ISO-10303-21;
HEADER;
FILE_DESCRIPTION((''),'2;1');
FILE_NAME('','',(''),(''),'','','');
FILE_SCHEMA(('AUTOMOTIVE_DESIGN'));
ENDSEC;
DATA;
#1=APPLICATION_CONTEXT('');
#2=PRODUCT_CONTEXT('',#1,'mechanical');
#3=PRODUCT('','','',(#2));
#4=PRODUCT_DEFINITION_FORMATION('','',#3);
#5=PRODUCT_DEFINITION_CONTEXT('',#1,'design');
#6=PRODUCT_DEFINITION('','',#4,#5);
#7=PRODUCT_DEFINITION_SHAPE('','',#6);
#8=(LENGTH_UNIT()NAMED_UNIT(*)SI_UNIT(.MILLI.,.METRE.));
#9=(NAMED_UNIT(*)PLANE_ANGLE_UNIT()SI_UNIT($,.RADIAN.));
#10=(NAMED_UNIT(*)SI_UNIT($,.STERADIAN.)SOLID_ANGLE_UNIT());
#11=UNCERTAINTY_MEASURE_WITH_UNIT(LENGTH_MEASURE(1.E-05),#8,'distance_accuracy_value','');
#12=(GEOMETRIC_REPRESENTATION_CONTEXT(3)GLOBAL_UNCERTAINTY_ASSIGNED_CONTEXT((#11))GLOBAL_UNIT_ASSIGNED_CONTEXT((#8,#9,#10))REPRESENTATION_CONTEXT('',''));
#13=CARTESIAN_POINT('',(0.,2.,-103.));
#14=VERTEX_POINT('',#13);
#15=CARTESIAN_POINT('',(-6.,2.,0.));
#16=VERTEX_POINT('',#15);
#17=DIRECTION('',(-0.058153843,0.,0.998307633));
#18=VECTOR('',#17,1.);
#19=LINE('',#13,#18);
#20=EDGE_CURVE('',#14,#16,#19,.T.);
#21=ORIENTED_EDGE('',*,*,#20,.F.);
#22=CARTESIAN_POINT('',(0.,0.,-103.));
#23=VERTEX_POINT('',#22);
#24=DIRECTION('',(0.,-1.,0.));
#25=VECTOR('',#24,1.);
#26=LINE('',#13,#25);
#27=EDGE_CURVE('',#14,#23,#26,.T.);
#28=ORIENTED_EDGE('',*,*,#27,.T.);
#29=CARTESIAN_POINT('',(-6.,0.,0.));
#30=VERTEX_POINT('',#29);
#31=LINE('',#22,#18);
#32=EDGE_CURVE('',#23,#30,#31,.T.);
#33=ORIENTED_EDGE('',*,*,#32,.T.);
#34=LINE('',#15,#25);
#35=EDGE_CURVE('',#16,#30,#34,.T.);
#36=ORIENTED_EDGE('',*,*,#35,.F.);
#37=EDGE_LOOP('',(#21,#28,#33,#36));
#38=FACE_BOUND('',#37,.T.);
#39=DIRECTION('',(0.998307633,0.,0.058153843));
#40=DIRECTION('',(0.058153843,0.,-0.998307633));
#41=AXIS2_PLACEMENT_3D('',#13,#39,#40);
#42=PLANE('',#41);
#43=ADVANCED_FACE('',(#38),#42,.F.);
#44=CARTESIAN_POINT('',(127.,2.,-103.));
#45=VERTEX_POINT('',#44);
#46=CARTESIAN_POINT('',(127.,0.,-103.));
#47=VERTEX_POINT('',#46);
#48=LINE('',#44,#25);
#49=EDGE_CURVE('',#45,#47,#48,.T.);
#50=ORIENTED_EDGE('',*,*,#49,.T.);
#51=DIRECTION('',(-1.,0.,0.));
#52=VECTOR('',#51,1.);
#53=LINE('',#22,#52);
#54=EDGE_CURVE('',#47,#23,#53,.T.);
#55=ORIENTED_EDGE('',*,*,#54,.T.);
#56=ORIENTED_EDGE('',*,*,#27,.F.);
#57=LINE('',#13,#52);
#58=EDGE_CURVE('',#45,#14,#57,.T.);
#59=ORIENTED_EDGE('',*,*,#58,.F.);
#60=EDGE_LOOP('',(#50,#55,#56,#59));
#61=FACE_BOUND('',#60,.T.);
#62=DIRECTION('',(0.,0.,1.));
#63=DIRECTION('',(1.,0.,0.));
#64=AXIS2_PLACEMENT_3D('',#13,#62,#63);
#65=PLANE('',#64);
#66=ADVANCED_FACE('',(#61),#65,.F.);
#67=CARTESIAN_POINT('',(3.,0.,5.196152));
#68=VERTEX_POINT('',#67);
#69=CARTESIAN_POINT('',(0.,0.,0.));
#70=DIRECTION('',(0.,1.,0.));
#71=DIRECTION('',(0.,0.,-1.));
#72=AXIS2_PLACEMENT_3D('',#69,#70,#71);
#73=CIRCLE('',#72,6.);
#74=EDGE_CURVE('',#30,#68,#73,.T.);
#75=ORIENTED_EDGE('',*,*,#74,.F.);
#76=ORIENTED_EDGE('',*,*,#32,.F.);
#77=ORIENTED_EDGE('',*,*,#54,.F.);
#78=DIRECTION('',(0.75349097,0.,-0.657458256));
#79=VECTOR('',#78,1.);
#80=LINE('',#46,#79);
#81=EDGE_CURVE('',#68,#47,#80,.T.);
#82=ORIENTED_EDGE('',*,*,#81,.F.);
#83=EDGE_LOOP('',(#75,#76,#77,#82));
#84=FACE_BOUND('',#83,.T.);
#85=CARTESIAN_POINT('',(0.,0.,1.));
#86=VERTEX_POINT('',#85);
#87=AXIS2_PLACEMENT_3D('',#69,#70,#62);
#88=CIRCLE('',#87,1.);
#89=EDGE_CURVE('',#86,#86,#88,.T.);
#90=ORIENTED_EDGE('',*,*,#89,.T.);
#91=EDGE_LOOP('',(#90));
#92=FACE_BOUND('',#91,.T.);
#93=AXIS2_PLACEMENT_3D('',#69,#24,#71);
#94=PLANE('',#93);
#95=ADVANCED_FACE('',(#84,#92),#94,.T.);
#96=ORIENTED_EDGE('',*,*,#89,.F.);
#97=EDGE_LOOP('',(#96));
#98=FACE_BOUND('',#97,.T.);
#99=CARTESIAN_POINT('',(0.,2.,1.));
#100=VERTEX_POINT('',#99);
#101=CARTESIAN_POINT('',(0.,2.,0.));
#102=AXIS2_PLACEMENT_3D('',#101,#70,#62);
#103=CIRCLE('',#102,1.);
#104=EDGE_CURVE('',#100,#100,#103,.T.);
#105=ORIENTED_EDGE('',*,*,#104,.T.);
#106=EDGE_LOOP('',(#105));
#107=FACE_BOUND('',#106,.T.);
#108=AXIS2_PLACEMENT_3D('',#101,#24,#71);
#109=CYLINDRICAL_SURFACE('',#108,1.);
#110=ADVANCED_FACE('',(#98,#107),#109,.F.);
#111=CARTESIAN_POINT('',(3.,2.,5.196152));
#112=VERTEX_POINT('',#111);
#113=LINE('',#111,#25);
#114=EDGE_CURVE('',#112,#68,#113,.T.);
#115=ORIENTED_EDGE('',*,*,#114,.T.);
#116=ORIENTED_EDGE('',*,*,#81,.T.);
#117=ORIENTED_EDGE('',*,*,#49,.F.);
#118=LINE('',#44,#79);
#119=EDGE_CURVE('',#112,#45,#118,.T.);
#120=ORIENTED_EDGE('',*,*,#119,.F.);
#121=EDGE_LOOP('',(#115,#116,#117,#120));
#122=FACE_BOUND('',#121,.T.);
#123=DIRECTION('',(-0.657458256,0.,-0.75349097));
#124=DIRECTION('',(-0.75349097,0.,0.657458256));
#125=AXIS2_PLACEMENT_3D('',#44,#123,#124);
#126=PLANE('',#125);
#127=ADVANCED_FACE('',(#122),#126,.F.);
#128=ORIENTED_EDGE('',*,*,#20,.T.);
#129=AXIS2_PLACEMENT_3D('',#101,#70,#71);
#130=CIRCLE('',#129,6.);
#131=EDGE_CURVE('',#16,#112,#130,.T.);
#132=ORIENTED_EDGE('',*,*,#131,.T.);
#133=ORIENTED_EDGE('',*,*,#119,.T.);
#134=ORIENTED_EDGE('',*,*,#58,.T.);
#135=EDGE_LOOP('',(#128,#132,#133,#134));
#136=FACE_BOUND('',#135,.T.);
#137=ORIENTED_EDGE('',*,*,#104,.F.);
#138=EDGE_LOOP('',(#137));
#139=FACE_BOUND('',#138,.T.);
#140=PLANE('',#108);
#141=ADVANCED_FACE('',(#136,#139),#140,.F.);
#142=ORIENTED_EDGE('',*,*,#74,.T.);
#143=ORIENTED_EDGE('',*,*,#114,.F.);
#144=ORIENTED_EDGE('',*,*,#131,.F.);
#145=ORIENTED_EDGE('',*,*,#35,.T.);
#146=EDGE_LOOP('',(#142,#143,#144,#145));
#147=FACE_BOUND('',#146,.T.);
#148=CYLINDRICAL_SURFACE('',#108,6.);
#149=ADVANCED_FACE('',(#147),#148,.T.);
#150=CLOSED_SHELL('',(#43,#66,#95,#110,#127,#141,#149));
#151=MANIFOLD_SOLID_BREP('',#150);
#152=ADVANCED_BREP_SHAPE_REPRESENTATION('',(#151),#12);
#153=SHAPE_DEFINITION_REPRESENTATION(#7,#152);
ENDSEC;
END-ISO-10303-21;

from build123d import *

# Parameters (mm, degrees)
ESQUISSE1_R        = 1
BOSS_EXTRU_2_DEPTH = 2


with BuildPart() as part:
    # Esquisse1 → Boss.-Extru.2 (new body)
    with BuildSketch(Plane(origin=(0, 0, 0), x_dir=(1, 0, 0), z_dir=(0, 1, 0))):
        with BuildLine():
            Line((0, 103), (127, 103))
            Line((127, 103), (3, -5.196152423))
            ThreePointArc((3, -5.196152423), (-3, -5.196152423), (-6, 0))
            Line((-6, 0), (0, 103))
        make_face()
        Circle(ESQUISSE1_R, mode=Mode.SUBTRACT)
    extrude(amount=BOSS_EXTRU_2_DEPTH)


solid = part.part
